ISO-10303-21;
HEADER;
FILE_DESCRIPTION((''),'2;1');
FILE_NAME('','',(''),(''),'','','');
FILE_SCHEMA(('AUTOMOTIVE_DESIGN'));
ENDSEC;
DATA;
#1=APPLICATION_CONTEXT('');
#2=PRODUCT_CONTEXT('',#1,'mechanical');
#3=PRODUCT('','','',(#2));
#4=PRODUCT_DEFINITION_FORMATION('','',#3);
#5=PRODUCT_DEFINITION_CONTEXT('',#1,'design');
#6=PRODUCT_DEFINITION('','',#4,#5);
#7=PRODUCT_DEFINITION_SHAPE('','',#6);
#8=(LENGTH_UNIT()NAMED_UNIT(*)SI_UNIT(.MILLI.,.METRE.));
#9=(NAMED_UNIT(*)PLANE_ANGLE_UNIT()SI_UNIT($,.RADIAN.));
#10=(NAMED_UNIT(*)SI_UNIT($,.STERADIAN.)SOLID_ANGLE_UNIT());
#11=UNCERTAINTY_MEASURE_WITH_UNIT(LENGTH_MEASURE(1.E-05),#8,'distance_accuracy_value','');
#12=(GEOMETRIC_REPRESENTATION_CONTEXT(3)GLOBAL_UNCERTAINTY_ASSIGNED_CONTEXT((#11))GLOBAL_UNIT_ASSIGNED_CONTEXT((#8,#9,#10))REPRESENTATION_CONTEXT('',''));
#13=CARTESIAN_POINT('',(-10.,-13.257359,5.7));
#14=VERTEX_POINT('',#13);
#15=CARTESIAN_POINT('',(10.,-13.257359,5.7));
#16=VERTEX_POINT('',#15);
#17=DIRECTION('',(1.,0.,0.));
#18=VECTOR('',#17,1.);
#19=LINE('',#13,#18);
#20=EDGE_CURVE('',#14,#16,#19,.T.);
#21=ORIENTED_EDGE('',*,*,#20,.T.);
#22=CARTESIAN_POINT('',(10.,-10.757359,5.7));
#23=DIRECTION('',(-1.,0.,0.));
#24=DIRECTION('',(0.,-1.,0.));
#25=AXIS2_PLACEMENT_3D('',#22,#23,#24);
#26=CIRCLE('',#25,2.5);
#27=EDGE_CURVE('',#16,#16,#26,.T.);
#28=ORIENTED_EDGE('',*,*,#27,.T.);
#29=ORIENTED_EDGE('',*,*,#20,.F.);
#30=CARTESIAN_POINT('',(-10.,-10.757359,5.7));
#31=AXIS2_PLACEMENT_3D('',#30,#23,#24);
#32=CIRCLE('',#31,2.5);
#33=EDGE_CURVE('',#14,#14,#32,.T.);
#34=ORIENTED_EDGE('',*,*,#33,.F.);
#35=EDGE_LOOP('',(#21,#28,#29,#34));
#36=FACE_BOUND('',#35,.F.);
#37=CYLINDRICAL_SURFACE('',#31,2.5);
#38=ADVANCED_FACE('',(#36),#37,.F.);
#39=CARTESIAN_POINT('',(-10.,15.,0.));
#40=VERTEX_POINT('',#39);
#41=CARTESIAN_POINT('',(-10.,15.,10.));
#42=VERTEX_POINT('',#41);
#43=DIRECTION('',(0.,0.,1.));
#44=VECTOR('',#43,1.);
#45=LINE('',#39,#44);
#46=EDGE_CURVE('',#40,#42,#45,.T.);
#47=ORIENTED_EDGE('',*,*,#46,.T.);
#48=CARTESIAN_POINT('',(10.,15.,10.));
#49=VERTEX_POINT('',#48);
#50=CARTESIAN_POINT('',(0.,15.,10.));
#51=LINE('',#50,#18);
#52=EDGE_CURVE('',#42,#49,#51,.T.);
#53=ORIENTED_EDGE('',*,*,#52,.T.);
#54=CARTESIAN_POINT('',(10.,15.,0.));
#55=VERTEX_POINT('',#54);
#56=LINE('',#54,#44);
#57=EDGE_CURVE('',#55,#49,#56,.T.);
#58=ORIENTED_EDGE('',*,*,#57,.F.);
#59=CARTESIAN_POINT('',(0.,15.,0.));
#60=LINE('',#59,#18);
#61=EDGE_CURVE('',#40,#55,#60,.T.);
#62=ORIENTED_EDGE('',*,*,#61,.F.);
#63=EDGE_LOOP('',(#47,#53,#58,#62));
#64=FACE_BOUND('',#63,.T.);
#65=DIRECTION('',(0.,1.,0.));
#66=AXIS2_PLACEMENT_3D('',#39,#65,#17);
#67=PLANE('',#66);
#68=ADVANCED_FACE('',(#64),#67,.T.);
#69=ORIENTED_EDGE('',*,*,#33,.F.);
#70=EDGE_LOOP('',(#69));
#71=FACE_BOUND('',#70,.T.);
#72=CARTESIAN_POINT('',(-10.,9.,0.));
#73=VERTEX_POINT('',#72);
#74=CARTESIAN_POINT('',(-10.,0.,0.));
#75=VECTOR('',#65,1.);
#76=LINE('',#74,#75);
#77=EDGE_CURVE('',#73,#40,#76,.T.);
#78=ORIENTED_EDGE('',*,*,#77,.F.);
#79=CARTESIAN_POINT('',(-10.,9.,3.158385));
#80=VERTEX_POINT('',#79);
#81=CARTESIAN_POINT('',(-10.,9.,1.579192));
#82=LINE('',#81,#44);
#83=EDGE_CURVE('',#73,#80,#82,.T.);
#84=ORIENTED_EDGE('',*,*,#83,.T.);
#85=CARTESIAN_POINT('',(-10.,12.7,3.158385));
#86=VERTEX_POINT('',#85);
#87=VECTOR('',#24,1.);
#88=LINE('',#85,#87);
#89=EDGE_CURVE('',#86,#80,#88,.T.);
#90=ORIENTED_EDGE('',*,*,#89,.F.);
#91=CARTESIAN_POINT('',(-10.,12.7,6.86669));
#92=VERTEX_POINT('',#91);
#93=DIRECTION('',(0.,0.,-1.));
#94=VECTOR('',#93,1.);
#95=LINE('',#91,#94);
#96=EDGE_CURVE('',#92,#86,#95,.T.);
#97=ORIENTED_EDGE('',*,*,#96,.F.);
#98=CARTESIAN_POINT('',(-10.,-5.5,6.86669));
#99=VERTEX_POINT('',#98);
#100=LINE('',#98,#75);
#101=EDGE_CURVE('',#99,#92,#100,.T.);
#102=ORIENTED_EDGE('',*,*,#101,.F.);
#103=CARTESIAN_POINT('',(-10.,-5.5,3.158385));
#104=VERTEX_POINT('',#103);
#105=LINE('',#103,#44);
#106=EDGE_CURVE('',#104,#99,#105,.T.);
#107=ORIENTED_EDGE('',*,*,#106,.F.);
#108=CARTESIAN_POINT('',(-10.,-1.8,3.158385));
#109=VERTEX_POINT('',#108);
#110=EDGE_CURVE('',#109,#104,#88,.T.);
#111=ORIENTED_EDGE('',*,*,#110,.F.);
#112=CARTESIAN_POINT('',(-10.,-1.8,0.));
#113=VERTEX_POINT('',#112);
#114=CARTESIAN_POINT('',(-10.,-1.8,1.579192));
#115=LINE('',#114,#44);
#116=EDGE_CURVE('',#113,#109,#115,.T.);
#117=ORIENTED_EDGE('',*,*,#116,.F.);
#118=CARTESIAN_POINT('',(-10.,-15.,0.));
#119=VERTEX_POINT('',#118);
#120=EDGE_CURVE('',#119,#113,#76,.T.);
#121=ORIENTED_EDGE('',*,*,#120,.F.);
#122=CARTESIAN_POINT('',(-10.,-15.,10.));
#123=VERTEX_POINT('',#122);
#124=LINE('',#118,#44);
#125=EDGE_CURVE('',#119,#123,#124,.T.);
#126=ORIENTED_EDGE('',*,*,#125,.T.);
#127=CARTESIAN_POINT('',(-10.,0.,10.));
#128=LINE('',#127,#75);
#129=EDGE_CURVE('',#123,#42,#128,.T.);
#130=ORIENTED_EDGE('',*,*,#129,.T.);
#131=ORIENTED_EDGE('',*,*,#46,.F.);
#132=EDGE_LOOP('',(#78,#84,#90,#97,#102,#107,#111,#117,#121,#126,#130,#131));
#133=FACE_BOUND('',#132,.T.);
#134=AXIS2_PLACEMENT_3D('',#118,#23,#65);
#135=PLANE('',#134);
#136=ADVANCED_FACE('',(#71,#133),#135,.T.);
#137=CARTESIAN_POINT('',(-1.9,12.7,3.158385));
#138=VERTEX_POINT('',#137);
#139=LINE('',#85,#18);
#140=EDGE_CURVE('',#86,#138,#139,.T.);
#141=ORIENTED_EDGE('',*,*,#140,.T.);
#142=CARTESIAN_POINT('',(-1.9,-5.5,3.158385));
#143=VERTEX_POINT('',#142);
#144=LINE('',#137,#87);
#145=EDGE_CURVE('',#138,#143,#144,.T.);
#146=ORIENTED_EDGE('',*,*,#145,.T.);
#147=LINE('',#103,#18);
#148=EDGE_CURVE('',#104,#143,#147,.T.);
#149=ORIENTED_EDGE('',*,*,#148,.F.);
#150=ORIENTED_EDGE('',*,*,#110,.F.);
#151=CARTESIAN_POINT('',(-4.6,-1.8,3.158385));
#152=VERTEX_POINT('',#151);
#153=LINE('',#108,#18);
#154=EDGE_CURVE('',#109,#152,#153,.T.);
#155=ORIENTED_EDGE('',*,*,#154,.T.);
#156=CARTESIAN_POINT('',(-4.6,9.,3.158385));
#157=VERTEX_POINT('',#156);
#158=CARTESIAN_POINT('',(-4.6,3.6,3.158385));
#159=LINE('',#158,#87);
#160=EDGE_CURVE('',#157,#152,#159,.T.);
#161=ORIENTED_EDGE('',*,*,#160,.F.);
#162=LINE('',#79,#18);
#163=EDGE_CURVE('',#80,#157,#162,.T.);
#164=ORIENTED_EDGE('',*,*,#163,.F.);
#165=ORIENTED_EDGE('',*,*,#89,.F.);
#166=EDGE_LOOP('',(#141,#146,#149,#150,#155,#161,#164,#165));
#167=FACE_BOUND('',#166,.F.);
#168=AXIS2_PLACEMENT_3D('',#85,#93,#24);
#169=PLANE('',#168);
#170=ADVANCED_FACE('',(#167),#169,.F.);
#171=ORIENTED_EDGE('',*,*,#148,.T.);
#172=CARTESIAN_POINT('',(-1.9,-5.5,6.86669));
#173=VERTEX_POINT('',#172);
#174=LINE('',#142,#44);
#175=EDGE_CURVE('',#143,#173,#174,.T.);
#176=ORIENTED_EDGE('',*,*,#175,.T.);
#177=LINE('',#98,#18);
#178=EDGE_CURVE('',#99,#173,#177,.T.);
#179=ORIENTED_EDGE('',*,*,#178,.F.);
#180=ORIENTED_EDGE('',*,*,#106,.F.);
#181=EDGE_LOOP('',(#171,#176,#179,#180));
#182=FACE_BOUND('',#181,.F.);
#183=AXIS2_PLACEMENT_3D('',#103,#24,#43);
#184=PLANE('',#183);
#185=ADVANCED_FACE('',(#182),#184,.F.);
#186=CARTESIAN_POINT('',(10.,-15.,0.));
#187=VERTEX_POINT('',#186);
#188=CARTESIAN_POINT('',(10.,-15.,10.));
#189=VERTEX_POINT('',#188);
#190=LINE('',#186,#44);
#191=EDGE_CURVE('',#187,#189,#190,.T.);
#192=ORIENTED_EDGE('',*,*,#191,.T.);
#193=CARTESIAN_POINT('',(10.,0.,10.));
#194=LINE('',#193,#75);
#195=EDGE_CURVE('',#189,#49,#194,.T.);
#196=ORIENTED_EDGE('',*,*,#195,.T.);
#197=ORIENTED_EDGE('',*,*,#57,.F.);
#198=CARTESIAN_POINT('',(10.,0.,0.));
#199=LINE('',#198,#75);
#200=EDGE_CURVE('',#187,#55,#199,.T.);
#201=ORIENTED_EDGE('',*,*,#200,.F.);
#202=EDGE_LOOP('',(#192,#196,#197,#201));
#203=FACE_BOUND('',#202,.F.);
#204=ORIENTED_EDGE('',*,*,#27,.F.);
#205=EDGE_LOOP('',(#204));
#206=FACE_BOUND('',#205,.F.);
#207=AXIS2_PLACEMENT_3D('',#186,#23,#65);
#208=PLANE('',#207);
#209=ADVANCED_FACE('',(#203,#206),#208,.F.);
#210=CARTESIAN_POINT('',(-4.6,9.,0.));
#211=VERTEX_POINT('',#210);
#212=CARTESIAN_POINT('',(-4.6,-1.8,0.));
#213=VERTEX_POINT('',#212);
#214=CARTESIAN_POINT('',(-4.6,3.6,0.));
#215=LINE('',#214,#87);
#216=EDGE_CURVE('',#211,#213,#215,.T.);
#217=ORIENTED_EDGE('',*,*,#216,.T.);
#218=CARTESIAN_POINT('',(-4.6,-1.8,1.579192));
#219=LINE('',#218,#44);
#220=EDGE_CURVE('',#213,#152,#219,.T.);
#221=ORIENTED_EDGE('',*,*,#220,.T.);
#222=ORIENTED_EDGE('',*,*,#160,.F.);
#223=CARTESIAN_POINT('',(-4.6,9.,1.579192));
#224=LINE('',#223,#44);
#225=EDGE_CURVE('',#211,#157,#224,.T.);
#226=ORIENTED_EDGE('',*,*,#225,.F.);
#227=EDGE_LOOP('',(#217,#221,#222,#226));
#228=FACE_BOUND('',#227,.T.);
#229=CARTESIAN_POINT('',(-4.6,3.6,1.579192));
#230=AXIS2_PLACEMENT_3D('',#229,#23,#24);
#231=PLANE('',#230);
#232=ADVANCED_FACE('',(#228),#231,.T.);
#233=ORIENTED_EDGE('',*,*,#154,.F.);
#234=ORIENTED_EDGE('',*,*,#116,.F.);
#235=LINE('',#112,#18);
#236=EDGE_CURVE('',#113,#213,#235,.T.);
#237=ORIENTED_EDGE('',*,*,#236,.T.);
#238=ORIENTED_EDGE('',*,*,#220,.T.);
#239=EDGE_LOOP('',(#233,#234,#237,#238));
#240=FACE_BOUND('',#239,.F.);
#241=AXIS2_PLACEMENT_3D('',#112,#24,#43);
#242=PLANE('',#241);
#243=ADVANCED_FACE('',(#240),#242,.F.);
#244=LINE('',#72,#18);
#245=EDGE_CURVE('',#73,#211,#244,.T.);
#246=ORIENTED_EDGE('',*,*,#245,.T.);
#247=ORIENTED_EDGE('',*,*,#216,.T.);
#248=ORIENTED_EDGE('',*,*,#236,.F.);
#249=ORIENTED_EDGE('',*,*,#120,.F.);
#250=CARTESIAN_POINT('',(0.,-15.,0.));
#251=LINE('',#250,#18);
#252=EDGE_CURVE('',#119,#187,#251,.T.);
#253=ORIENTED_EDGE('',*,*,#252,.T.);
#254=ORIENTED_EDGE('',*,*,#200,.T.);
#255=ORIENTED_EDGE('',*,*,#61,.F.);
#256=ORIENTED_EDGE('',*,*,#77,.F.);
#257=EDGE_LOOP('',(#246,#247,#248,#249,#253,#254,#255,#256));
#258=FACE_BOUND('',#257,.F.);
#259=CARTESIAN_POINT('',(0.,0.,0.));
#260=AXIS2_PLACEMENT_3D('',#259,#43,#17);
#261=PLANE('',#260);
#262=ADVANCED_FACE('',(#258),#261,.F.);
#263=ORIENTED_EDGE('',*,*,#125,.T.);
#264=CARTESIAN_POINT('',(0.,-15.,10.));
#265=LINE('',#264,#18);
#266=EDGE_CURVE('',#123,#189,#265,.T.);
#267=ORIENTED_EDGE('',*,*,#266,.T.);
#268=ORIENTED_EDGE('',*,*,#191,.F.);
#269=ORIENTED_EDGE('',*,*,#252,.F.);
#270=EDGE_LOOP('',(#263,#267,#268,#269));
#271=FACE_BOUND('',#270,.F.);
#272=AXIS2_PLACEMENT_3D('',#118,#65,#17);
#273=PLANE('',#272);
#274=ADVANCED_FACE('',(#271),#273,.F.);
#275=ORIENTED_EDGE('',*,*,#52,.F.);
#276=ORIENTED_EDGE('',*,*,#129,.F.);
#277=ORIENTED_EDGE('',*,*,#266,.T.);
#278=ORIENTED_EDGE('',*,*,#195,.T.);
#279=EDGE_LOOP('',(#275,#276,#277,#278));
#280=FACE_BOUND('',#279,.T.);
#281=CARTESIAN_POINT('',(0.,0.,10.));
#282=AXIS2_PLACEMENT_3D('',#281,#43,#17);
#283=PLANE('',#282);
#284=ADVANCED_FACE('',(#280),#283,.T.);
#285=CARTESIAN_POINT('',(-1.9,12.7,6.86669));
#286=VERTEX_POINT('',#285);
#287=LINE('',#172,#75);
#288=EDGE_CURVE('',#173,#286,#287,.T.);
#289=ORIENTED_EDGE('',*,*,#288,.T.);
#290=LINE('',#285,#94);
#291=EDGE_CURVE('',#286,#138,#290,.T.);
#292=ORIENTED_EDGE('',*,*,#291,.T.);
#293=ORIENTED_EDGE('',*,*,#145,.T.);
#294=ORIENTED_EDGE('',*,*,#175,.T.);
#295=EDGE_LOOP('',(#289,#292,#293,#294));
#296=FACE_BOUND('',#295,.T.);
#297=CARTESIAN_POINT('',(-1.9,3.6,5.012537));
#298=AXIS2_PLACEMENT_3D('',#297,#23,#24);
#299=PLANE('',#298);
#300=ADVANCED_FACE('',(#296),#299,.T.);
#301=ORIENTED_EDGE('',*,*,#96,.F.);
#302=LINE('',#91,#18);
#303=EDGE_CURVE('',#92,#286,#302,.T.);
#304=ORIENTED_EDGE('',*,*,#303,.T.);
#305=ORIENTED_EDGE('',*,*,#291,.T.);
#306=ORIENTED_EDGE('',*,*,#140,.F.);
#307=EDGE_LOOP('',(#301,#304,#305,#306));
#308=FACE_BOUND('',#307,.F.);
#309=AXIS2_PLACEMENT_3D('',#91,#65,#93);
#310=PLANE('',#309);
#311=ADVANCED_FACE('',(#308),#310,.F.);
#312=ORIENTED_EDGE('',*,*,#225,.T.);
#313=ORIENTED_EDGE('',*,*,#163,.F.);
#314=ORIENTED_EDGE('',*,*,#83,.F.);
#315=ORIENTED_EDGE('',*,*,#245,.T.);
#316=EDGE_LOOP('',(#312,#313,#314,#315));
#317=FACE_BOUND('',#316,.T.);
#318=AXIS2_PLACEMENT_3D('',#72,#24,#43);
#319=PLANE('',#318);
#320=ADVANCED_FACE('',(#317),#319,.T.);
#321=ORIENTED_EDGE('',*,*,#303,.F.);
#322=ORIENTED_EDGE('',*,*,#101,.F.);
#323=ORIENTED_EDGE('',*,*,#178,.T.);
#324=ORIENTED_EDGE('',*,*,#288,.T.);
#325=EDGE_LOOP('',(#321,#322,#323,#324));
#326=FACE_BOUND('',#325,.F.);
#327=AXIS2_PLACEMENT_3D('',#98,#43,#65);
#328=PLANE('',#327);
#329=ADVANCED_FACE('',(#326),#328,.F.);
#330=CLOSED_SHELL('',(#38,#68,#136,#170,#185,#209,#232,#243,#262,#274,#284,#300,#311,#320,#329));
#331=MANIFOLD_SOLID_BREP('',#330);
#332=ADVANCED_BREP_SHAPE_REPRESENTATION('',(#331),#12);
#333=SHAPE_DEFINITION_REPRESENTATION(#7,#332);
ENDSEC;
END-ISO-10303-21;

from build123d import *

# Parameters (mm, degrees)
F0_W     = 20
F0_H     = 30
F1_DEPTH = 10
F2_W     = 10.8
F2_H     = 3.1583849106
F3_DEPTH = 5.4
F4_DEPTH = 8.1
F5_R     = 2.5
F6_DEPTH = 20


with BuildPart() as f1:
    # F0 (on Top) → F1 (new body)
    with BuildSketch(Plane.XY):
        Rectangle(F0_W, F0_H)
    extrude(amount=F1_DEPTH)

    # F2 (on face) → F3 (cut)
    with BuildSketch(Plane(origin=(-10, 0, 0), x_dir=(0, -1, 0), z_dir=(-1, 0, 0))):
        with Locations((-3.6, 1.5791924553)):
            Rectangle(F2_W, F2_H)
    extrude(amount=-F3_DEPTH, mode=Mode.SUBTRACT)

    # F2 (on face) → F4 (cut)
    with BuildSketch(Plane(origin=(-10, 0, 0), x_dir=(0, -1, 0), z_dir=(-1, 0, 0))):
        Polygon((-12.7, 3.1583849106), (-9, 3.1583849106), (1.8, 3.1583849106), (5.5, 3.1583849106), (5.5, 6.8666899811), (-12.7, 6.8666899811), align=None)
    extrude(amount=-F4_DEPTH, mode=Mode.SUBTRACT)

    # F5 (on face) → F6 (cut)
    with BuildSketch(Plane(origin=(-10, 0, 0), x_dir=(0, -1, 0), z_dir=(-1, 0, 0))):
        with Locations((10.7573593129, 5.7)):
            Circle(F5_R)
    extrude(amount=-F6_DEPTH, mode=Mode.SUBTRACT)


solid = f1.part
